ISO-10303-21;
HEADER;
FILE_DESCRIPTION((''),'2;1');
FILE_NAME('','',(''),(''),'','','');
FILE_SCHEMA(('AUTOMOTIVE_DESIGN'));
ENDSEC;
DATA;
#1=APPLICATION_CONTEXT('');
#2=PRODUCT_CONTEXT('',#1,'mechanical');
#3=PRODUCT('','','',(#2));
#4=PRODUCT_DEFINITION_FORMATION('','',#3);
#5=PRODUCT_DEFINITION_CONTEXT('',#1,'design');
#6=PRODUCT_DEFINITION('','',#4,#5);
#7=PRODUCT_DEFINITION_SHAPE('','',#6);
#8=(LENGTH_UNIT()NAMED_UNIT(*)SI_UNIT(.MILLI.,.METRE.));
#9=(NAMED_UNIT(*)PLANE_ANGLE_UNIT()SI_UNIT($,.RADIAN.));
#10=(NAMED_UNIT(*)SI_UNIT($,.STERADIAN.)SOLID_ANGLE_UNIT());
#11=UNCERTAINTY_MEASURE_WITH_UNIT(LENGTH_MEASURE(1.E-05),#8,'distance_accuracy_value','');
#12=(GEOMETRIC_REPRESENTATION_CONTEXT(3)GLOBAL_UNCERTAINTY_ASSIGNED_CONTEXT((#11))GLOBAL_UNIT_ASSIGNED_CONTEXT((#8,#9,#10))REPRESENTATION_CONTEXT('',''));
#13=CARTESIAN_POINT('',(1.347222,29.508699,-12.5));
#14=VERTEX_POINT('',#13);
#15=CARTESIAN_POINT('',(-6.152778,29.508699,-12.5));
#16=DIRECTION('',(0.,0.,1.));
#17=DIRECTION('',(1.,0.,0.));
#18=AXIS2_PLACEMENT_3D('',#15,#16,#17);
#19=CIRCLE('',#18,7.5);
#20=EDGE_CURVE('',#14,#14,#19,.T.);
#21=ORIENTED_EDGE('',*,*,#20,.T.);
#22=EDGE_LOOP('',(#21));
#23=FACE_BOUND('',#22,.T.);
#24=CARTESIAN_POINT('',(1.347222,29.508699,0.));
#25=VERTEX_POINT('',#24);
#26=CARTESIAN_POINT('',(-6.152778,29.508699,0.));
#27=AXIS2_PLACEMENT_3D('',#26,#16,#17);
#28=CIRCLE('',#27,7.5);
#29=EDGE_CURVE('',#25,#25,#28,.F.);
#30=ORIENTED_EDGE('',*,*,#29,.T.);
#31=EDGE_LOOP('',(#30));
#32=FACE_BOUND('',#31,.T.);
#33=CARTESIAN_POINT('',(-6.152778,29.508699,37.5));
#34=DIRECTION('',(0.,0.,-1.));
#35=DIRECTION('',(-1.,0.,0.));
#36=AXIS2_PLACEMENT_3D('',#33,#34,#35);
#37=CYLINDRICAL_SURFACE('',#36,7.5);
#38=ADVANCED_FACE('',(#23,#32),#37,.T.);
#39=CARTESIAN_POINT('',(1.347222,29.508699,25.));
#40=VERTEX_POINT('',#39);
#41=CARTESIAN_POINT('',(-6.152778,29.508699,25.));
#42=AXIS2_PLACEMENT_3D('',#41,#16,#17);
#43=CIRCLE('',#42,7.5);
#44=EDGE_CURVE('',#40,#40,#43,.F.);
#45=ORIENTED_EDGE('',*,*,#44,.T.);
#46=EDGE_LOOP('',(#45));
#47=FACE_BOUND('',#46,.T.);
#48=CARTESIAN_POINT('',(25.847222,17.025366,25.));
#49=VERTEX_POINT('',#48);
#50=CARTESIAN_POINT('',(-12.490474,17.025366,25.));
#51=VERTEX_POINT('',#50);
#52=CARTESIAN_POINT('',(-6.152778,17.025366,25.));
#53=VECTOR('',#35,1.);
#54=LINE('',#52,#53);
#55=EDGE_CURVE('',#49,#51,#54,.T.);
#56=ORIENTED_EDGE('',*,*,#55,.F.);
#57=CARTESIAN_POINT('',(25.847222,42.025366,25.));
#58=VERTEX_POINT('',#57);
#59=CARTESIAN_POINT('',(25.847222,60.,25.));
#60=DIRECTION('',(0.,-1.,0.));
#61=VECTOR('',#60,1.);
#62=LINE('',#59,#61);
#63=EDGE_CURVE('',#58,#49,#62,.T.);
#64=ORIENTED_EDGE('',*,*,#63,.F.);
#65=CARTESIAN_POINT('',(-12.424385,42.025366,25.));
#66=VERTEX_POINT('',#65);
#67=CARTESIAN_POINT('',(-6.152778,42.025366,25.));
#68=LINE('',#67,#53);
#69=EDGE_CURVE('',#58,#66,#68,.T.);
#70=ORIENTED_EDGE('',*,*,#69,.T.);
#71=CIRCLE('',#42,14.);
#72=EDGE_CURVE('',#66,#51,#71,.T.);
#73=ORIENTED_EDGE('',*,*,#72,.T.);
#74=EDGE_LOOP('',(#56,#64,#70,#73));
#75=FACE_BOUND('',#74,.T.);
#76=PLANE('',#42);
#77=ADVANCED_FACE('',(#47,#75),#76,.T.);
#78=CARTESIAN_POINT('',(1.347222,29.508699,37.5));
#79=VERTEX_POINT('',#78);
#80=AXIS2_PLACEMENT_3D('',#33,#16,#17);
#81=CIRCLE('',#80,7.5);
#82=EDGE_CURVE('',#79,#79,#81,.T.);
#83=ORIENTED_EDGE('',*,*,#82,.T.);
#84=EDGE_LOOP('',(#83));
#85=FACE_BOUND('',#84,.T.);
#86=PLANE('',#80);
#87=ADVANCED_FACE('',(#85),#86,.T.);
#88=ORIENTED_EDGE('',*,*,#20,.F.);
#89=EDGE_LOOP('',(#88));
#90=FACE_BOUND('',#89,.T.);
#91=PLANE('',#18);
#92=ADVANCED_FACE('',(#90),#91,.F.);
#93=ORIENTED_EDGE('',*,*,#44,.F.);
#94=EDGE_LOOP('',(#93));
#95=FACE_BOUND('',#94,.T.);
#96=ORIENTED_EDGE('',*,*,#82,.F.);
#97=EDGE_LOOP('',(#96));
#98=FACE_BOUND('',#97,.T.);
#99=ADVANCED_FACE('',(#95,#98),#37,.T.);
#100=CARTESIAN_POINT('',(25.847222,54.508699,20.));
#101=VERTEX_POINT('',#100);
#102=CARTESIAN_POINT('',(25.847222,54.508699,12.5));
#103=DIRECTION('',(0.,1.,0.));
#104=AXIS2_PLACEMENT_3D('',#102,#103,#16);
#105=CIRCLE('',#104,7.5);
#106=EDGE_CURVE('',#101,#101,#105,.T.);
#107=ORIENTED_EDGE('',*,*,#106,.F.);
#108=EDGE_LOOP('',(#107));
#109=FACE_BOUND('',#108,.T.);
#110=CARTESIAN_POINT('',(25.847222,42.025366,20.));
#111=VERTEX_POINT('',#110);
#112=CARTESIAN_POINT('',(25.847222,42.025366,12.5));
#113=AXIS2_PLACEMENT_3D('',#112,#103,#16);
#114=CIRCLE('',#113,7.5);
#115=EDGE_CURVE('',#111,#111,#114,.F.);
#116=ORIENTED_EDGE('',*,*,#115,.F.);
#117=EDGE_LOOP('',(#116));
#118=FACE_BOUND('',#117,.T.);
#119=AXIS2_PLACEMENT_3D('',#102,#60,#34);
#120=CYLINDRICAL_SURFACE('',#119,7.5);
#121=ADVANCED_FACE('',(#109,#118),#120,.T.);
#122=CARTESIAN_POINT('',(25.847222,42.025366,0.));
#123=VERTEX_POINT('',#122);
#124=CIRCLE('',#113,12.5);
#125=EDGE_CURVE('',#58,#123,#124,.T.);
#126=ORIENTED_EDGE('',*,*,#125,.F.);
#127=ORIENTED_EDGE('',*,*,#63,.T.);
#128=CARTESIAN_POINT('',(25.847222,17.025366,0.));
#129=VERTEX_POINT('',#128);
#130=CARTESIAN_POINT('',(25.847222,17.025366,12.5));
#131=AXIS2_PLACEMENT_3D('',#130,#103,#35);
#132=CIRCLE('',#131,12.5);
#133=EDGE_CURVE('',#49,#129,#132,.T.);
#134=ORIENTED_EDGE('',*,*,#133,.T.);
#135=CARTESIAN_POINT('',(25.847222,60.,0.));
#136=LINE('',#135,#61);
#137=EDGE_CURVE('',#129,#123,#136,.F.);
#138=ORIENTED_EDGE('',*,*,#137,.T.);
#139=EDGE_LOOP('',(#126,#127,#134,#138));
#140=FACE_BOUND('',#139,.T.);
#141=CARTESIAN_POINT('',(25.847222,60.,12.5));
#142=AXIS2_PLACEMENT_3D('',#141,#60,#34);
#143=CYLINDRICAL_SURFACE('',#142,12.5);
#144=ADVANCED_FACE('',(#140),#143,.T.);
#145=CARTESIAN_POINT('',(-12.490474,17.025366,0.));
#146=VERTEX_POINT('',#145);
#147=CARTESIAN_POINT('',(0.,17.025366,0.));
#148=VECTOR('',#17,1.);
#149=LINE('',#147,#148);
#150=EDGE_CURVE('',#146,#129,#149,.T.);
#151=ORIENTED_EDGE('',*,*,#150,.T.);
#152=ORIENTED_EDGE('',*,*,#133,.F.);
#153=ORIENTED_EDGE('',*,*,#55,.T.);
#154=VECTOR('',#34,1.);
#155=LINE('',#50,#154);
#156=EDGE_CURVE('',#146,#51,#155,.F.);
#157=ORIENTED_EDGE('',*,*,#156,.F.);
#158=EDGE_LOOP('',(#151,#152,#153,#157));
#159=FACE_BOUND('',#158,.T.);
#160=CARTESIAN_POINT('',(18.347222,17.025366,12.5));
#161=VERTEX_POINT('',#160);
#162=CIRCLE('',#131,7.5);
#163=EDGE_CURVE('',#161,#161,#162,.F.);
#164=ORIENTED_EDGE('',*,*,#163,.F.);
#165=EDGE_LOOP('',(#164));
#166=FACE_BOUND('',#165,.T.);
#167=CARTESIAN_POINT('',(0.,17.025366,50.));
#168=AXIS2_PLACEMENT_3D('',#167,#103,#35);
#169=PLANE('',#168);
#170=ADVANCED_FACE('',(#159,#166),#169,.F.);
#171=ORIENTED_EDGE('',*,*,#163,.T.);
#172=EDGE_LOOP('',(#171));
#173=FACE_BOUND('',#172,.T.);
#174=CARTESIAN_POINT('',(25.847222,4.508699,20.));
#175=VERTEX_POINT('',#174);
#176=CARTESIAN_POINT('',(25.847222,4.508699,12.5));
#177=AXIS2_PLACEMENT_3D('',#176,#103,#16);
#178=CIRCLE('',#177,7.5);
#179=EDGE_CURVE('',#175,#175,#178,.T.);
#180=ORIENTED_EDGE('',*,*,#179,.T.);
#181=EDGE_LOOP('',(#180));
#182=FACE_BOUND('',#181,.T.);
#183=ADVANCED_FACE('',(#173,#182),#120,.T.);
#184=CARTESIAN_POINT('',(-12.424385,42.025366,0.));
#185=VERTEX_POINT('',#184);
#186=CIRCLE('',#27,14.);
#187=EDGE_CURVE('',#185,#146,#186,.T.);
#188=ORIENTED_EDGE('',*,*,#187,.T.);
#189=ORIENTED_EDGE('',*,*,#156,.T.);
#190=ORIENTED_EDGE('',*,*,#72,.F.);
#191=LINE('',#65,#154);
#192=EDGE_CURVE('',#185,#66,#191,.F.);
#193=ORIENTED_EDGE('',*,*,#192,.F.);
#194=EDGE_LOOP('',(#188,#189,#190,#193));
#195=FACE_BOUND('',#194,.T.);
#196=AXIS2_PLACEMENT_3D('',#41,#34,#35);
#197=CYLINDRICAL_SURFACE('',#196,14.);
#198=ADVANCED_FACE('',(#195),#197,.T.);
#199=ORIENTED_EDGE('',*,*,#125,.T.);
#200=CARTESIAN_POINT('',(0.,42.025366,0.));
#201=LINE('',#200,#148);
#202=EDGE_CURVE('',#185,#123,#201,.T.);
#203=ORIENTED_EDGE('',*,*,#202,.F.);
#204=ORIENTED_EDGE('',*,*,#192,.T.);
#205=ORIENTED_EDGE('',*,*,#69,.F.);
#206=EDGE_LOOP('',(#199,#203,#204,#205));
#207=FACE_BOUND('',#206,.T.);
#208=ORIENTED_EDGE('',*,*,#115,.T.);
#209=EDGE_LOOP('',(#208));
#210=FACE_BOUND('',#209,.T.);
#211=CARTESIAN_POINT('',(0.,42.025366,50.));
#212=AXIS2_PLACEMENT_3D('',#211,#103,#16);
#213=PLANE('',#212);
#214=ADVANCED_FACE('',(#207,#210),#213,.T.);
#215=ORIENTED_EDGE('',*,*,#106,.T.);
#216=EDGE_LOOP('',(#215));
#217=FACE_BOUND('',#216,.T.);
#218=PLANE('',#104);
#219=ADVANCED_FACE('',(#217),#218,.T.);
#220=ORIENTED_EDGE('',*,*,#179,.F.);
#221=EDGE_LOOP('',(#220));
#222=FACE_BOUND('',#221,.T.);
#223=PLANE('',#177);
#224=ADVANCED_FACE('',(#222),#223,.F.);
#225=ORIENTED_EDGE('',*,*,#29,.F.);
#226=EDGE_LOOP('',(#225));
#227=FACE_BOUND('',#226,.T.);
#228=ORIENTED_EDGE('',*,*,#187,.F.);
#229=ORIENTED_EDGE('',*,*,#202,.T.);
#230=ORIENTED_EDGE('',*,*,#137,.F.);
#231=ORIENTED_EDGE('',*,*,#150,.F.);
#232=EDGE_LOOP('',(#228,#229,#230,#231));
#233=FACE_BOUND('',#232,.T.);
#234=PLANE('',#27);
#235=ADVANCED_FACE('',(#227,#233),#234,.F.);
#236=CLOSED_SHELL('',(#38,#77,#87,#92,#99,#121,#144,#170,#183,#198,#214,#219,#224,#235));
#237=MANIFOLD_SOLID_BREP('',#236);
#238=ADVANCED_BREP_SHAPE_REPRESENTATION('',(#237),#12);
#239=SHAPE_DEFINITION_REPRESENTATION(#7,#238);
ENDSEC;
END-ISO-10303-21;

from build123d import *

# Parameters (mm, degrees)
SALIENTE_EXTRUIR1_DEPTH = 25
CORTAR_EXTRUIR1_DEPTH   = 60
CORTAR_EXTRUIR2_DEPTH   = 50
CROQUIS16_R             = 7.5
SALIENTE_EXTRUIR4_DEPTH = 25
CROQUIS19_R             = 7.5
SALIENTE_EXTRUIR5_DEPTH = 25


with BuildPart() as part:
    # Croquis1 → Saliente-Extruir1 (new body)
    with BuildSketch(Plane.XY):
        with BuildLine():
            Line((38.847221771, 29.508698958), (38.847221771, 42.008698958))
            Line((38.847221771, 42.008698958), (-6.152778229, 43.508698958))
            ThreePointArc((-6.152778229, 43.508698958), (-20.152778229, 29.508698958), (-6.152778229, 15.508698958))
            Line((-6.152778229, 15.508698958), (38.847221771, 17.008698958))
            Line((38.847221771, 17.008698958), (38.847221771, 29.508698958))
        make_face()
    extrude(amount=SALIENTE_EXTRUIR1_DEPTH)

    # Croquis5 → Cortar-Extruir1 (cut)
    with BuildSketch(Plane(origin=(0, 0, 0), x_dir=(1, 0, 0), z_dir=(0, 1, 0))):
        with BuildLine():
            Line((25.847221771, 0), (38.847221771, 0))
            Line((38.847221771, 0), (38.847221771, -25))
            Line((38.847221771, -25), (25.847221771, -25))
            ThreePointArc((25.847221771, -25), (38.347221771, -12.5), (25.847221771, 0))
        make_face()
    extrude(amount=CORTAR_EXTRUIR1_DEPTH, mode=Mode.SUBTRACT)

    # Croquis14 → Cortar-Extruir2 (cut)
    with BuildSketch(Plane.XY):
        Polygon((53.899517017, 17.025365624), (35.13924076, 17.025365624), (-30.270251596, 17.025365624), (-30.270251596, 4.764452962), (53.899517017, 4.764452962), align=None)
        Polygon((-30.270251596, 42.025365624), (38.347221771, 42.025365624), (49.932931428, 42.025365624), (49.932931428, 48.139642848), (-30.270251596, 48.139642848), align=None)
    extrude(amount=CORTAR_EXTRUIR2_DEPTH, mode=Mode.SUBTRACT)

    # Croquis16 → Saliente-Extruir4 (add, symmetric)
    with BuildSketch(Plane(origin=(0, 29.508698958, 0), x_dir=(1, 0, 0), z_dir=(0, 1, 0))):
        with Locations(Location((25.847221771, -12.5, 0), (0, 0, 180))):
            Circle(CROQUIS16_R)
    extrude(amount=SALIENTE_EXTRUIR4_DEPTH, both=True)

    # Croquis19 → Saliente-Extruir5 (add, symmetric)
    with BuildSketch(Plane.XY.offset(12.5)):
        with Locations((-6.152778229, 29.508698958)):
            Circle(CROQUIS19_R)
    extrude(amount=SALIENTE_EXTRUIR5_DEPTH, both=True)


solid = part.part
